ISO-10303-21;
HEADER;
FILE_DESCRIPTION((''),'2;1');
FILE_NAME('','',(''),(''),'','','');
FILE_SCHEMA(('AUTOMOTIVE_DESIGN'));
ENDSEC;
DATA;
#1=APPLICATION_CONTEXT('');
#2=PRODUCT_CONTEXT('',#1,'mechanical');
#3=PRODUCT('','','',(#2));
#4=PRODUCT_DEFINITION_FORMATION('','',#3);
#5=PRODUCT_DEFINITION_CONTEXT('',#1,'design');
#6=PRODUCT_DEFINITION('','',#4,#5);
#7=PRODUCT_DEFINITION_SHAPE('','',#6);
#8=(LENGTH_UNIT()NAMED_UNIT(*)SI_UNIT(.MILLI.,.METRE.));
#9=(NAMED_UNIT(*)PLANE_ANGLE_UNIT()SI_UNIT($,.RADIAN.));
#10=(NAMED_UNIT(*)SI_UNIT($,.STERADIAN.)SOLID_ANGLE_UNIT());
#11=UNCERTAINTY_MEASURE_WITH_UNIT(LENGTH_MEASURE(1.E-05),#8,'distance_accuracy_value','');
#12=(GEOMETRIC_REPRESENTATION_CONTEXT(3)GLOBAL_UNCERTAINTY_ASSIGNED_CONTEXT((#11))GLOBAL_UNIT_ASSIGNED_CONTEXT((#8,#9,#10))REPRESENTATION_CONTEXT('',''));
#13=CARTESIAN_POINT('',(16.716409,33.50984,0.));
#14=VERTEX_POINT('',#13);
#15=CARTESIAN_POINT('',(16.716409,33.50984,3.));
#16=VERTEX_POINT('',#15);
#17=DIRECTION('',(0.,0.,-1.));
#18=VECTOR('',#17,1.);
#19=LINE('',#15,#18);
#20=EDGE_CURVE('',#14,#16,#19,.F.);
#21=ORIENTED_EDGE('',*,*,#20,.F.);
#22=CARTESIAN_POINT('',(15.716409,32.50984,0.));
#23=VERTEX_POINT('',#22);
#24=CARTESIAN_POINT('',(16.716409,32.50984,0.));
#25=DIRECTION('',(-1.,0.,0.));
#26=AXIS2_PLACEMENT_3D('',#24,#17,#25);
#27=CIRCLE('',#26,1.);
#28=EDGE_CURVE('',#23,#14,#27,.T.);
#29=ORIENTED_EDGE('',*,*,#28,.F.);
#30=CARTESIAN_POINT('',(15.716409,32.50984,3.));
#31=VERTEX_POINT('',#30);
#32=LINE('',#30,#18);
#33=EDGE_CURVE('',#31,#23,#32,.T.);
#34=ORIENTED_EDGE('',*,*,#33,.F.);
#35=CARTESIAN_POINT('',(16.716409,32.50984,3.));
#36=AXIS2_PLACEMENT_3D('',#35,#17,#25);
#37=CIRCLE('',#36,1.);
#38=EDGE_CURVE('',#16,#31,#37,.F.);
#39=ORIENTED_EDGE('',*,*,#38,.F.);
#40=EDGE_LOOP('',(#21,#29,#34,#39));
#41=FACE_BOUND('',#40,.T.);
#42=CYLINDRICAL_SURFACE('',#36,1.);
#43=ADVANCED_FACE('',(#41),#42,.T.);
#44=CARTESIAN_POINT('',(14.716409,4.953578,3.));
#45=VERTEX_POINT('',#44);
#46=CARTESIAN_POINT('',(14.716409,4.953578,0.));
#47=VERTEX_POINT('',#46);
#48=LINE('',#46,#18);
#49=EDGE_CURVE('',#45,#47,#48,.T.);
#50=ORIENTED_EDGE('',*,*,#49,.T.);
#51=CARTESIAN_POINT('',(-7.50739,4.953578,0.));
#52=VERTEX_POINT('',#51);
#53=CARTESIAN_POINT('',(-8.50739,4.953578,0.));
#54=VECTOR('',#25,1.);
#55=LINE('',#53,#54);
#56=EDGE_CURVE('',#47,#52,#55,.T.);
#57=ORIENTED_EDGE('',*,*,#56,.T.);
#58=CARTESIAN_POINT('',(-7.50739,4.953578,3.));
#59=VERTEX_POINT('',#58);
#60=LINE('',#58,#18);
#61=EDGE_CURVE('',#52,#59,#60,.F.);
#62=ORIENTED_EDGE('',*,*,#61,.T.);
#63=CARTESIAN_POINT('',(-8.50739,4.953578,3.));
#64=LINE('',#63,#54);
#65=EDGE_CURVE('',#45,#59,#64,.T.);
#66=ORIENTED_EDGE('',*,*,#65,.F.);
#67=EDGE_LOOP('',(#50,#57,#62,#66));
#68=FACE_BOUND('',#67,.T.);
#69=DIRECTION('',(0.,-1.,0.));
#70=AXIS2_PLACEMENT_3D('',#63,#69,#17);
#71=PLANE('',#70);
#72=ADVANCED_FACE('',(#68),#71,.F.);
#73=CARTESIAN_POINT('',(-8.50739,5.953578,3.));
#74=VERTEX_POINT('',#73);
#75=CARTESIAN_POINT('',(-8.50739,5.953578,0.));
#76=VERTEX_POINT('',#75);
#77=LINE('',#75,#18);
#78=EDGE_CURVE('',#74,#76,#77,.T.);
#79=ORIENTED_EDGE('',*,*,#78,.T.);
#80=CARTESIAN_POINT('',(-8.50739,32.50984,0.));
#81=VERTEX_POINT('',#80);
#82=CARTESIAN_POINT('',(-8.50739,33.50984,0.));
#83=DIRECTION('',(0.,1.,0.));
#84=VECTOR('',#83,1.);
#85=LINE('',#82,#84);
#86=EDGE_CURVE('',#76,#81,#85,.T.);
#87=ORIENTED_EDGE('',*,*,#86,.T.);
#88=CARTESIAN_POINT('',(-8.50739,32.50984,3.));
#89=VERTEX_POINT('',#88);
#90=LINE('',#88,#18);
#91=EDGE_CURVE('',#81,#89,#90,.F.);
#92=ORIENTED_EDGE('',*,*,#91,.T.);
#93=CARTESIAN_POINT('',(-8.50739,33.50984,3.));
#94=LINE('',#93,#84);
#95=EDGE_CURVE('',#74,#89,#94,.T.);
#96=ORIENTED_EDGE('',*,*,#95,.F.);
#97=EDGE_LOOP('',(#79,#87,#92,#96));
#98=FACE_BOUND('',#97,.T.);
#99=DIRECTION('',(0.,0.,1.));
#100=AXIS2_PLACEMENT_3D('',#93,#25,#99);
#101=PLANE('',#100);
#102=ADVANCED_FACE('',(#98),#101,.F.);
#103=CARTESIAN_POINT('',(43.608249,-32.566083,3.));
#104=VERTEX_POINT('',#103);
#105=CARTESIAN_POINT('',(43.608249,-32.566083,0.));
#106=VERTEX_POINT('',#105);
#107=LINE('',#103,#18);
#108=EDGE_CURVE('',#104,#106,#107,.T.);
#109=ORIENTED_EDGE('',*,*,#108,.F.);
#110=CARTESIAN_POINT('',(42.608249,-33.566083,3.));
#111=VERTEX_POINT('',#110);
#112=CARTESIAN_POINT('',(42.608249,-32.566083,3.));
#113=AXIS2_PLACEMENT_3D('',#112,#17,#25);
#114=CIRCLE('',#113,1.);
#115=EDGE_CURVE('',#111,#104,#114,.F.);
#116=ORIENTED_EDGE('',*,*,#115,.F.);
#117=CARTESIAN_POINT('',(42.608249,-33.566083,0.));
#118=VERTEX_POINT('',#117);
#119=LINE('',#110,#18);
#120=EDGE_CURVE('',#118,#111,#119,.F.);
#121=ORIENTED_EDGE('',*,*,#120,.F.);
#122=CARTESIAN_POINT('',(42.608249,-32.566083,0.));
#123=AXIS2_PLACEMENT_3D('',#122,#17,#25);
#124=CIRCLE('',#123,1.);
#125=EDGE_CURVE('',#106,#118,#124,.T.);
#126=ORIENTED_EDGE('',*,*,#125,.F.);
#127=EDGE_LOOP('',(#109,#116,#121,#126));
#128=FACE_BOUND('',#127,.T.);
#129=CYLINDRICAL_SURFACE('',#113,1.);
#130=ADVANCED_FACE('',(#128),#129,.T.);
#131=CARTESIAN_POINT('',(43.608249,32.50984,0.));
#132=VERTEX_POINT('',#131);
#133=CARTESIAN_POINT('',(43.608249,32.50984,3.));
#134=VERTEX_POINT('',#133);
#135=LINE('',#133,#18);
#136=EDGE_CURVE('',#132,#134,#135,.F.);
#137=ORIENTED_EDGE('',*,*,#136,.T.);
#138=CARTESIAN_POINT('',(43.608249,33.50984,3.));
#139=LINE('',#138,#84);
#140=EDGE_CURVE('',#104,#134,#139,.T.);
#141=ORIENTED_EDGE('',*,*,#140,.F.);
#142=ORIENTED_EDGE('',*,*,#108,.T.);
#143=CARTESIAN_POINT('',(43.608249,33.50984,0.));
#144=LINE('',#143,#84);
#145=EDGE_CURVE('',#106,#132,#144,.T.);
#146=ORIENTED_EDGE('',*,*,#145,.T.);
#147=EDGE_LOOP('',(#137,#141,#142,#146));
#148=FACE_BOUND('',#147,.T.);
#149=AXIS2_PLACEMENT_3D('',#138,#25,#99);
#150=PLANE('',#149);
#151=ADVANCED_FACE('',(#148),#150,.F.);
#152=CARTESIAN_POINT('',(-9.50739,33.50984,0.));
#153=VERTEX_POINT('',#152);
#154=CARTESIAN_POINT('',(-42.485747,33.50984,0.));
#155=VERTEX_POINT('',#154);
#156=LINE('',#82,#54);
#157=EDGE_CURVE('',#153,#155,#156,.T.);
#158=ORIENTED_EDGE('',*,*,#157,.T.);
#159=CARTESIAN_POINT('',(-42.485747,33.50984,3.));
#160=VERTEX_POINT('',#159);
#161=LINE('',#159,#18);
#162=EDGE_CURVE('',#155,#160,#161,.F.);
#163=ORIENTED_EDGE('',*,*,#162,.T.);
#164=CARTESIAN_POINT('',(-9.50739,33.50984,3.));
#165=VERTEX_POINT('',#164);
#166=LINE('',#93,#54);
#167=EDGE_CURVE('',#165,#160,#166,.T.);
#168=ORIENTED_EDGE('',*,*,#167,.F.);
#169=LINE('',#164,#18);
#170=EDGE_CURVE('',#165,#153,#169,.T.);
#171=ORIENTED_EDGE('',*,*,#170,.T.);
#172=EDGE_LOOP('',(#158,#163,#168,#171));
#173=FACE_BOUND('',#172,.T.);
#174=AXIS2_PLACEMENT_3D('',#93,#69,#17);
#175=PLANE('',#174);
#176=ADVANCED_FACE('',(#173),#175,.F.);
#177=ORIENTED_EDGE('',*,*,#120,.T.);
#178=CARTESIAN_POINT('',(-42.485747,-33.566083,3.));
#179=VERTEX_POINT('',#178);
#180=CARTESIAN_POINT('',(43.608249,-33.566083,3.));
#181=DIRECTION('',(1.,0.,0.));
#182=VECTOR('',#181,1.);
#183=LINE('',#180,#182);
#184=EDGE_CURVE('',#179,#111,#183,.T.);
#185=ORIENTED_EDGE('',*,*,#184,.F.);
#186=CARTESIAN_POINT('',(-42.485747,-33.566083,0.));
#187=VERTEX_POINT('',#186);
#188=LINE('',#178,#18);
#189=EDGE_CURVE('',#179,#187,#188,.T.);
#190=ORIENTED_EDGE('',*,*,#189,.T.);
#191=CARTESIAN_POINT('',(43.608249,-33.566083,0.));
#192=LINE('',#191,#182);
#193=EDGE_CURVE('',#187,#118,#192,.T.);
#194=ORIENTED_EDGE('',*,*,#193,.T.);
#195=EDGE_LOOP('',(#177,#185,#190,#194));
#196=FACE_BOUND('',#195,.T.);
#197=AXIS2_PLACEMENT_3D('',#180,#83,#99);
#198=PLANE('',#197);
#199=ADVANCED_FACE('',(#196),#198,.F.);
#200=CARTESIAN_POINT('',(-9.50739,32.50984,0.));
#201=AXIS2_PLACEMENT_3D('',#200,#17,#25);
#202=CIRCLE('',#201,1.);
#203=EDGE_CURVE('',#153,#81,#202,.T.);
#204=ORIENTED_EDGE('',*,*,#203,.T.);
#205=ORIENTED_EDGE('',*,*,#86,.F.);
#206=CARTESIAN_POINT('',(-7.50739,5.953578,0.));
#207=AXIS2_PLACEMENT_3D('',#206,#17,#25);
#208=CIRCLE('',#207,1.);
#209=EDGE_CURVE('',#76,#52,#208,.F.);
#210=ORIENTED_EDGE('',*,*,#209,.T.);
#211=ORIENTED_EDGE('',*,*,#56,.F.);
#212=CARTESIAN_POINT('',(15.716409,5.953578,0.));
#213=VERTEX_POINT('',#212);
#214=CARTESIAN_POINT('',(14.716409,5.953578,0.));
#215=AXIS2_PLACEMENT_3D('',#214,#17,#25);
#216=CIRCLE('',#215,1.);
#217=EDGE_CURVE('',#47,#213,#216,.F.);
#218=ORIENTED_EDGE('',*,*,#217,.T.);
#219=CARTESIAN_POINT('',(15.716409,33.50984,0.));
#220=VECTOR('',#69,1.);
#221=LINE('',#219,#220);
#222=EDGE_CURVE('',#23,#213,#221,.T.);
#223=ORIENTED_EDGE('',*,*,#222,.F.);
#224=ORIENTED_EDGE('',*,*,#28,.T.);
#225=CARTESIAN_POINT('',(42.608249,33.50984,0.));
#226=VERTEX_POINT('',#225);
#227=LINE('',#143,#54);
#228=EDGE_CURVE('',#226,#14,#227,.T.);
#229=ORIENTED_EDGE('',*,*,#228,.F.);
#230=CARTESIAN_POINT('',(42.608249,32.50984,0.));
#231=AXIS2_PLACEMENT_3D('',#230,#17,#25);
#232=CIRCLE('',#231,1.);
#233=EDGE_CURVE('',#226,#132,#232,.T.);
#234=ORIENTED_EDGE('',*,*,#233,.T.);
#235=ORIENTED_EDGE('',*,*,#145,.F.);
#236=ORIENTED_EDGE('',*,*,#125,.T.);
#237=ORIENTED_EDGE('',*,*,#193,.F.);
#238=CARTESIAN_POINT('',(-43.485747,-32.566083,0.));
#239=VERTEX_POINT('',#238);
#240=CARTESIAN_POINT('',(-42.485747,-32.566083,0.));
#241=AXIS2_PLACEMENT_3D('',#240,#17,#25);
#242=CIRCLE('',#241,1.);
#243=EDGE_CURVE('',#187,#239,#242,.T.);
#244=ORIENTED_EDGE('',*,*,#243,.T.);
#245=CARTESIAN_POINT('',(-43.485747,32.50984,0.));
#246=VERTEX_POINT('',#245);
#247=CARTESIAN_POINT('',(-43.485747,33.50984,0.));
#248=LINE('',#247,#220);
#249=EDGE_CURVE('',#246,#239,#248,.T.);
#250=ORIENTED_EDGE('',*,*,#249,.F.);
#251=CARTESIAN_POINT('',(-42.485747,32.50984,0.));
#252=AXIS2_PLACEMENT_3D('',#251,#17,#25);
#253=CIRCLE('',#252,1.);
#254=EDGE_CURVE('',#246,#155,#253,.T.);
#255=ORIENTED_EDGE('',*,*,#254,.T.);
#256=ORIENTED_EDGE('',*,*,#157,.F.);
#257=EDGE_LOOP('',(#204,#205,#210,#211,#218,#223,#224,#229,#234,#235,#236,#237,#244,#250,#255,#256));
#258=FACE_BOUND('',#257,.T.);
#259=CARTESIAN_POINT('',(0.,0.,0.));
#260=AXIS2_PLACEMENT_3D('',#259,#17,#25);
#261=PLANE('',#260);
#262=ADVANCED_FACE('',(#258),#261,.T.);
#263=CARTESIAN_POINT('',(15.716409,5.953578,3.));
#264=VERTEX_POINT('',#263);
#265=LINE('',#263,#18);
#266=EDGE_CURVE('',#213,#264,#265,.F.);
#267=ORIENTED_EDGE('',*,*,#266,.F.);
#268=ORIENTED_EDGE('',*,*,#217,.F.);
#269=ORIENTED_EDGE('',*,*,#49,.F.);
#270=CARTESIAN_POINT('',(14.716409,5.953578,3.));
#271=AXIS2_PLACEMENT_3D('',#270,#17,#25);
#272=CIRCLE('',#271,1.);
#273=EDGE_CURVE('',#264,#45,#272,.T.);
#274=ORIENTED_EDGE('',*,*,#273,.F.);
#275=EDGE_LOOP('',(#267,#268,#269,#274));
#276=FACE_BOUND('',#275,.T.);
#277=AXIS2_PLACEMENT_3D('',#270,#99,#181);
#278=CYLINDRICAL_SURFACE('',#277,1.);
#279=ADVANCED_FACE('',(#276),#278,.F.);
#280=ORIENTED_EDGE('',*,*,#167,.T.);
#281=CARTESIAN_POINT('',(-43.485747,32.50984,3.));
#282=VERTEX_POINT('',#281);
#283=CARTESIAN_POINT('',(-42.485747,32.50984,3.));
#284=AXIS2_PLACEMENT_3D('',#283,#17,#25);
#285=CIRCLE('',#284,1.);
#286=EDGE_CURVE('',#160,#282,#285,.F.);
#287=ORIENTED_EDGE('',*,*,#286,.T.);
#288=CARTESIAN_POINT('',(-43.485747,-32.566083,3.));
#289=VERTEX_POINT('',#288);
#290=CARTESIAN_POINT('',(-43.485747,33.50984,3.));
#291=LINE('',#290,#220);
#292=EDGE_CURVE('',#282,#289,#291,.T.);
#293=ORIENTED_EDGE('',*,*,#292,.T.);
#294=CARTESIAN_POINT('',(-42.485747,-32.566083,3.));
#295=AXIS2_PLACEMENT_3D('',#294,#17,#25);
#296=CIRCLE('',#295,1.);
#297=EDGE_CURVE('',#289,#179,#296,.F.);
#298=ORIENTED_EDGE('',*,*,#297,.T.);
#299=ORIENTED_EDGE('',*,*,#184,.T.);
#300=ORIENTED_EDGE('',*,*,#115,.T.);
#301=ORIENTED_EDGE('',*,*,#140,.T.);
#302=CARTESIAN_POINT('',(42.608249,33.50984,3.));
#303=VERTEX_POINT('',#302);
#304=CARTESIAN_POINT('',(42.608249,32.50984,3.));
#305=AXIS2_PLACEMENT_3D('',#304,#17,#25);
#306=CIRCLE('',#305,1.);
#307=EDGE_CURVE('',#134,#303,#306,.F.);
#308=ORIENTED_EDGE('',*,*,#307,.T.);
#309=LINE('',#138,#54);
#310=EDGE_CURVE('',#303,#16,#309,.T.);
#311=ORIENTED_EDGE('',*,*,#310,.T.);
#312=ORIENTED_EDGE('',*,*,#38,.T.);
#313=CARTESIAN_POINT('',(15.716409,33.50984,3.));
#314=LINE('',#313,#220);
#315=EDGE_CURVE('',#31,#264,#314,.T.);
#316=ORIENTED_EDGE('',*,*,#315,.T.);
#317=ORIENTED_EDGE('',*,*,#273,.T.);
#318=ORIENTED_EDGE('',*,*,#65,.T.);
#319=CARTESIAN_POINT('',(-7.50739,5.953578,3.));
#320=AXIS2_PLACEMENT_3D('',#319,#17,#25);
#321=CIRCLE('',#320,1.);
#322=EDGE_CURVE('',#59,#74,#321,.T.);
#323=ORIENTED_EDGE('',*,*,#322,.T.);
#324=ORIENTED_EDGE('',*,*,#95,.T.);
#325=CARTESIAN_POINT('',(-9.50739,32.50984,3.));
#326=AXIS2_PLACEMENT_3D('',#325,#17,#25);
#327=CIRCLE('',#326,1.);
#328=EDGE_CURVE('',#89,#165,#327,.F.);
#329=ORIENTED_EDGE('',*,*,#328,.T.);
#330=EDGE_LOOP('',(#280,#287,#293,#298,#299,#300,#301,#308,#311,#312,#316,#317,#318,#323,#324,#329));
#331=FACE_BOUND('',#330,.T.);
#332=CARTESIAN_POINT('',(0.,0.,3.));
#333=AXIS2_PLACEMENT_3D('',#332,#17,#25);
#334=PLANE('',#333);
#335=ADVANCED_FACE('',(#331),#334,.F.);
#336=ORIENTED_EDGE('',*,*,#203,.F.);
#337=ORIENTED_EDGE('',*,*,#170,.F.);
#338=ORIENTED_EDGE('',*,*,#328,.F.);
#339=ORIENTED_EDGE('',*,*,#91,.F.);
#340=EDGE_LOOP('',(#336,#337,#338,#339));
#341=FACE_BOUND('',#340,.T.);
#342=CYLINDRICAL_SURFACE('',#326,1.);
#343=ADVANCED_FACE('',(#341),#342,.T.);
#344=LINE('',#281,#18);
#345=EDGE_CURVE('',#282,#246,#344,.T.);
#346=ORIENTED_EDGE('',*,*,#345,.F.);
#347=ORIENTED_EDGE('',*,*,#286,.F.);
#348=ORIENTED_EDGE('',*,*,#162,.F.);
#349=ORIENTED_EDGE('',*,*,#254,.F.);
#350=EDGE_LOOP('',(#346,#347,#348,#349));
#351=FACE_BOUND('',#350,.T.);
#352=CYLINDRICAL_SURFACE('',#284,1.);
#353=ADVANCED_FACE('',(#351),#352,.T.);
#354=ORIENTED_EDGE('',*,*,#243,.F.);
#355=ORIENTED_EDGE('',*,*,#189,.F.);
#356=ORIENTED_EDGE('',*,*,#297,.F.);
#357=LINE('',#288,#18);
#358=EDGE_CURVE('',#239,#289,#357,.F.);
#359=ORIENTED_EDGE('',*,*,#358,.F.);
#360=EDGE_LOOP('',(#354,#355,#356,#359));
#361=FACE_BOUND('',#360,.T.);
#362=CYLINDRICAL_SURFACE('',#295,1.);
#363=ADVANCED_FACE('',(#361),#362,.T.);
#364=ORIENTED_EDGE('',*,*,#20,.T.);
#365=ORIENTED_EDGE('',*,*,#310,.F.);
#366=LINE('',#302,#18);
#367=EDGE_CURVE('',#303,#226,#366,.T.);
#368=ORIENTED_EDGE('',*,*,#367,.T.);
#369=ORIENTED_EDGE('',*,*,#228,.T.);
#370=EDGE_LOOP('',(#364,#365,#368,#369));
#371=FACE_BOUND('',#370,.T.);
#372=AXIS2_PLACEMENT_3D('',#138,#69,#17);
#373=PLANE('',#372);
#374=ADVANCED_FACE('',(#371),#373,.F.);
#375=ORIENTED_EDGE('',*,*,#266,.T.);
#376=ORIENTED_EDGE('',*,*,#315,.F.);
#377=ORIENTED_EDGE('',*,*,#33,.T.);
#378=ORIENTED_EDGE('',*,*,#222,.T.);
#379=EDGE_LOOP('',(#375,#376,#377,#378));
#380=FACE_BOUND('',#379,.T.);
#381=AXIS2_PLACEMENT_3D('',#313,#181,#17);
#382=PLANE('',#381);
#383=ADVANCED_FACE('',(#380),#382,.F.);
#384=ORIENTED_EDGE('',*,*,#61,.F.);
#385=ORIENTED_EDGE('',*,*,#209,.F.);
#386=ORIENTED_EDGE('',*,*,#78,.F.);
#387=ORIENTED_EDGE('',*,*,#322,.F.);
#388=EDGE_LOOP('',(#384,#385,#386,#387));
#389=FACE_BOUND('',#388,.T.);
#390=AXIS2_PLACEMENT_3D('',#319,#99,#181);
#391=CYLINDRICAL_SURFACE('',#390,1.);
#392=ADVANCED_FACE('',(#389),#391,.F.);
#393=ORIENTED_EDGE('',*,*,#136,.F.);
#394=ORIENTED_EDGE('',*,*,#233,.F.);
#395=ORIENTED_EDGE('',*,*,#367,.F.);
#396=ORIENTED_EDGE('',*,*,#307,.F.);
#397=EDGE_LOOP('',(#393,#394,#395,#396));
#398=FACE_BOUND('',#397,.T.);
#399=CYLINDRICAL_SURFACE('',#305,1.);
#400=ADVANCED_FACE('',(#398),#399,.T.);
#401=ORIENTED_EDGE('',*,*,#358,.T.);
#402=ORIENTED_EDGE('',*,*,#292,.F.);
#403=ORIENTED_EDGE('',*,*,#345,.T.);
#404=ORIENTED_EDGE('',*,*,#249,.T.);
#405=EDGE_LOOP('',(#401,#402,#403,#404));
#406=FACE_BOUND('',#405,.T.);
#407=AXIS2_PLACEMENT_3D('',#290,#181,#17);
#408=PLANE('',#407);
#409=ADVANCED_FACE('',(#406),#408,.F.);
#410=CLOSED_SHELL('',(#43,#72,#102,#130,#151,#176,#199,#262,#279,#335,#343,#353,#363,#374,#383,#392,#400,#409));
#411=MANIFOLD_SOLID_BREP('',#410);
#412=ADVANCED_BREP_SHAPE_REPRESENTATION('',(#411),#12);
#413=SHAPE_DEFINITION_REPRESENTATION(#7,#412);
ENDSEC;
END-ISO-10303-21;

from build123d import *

# Parameters (mm, degrees)
RESSALTO_EXTRUS_O1_DEPTH = 3
FILETE1_R                = 1


with BuildPart() as part:
    # Esboço1 → Ressalto-extrusão1 (new body)
    with BuildSketch(Plane.XY):
        Polygon((-8.50739043, 33.509840055), (-43.485746942, 33.509840055), (-43.485746942, -33.566083295), (43.608248957, -33.566083295), (43.608248957, 33.509840055), (15.716409294, 33.509840055), (15.716409294, 4.953578222), (-8.50739043, 4.953578222), align=None)
    extrude(amount=RESSALTO_EXTRUS_O1_DEPTH)

    # Filete1
    filete1_edges = [part.edges().sort_by_distance(p)[0] for p in [
        (43.608248957, -33.566083295, 1.5),
        (-43.485746942, -33.566083295, 1.5),
        (-43.485746942, 33.509840055, 1.5),
        (-8.50739043, 33.509840055, 1.5),
        (-8.50739043, 4.953578222, 1.5),
        (15.716409294, 4.953578222, 1.5),
        (15.716409294, 33.509840055, 1.5),
        (43.608248957, 33.509840055, 1.5),
    ]]
    fillet(filete1_edges, radius=FILETE1_R)


solid = part.part
